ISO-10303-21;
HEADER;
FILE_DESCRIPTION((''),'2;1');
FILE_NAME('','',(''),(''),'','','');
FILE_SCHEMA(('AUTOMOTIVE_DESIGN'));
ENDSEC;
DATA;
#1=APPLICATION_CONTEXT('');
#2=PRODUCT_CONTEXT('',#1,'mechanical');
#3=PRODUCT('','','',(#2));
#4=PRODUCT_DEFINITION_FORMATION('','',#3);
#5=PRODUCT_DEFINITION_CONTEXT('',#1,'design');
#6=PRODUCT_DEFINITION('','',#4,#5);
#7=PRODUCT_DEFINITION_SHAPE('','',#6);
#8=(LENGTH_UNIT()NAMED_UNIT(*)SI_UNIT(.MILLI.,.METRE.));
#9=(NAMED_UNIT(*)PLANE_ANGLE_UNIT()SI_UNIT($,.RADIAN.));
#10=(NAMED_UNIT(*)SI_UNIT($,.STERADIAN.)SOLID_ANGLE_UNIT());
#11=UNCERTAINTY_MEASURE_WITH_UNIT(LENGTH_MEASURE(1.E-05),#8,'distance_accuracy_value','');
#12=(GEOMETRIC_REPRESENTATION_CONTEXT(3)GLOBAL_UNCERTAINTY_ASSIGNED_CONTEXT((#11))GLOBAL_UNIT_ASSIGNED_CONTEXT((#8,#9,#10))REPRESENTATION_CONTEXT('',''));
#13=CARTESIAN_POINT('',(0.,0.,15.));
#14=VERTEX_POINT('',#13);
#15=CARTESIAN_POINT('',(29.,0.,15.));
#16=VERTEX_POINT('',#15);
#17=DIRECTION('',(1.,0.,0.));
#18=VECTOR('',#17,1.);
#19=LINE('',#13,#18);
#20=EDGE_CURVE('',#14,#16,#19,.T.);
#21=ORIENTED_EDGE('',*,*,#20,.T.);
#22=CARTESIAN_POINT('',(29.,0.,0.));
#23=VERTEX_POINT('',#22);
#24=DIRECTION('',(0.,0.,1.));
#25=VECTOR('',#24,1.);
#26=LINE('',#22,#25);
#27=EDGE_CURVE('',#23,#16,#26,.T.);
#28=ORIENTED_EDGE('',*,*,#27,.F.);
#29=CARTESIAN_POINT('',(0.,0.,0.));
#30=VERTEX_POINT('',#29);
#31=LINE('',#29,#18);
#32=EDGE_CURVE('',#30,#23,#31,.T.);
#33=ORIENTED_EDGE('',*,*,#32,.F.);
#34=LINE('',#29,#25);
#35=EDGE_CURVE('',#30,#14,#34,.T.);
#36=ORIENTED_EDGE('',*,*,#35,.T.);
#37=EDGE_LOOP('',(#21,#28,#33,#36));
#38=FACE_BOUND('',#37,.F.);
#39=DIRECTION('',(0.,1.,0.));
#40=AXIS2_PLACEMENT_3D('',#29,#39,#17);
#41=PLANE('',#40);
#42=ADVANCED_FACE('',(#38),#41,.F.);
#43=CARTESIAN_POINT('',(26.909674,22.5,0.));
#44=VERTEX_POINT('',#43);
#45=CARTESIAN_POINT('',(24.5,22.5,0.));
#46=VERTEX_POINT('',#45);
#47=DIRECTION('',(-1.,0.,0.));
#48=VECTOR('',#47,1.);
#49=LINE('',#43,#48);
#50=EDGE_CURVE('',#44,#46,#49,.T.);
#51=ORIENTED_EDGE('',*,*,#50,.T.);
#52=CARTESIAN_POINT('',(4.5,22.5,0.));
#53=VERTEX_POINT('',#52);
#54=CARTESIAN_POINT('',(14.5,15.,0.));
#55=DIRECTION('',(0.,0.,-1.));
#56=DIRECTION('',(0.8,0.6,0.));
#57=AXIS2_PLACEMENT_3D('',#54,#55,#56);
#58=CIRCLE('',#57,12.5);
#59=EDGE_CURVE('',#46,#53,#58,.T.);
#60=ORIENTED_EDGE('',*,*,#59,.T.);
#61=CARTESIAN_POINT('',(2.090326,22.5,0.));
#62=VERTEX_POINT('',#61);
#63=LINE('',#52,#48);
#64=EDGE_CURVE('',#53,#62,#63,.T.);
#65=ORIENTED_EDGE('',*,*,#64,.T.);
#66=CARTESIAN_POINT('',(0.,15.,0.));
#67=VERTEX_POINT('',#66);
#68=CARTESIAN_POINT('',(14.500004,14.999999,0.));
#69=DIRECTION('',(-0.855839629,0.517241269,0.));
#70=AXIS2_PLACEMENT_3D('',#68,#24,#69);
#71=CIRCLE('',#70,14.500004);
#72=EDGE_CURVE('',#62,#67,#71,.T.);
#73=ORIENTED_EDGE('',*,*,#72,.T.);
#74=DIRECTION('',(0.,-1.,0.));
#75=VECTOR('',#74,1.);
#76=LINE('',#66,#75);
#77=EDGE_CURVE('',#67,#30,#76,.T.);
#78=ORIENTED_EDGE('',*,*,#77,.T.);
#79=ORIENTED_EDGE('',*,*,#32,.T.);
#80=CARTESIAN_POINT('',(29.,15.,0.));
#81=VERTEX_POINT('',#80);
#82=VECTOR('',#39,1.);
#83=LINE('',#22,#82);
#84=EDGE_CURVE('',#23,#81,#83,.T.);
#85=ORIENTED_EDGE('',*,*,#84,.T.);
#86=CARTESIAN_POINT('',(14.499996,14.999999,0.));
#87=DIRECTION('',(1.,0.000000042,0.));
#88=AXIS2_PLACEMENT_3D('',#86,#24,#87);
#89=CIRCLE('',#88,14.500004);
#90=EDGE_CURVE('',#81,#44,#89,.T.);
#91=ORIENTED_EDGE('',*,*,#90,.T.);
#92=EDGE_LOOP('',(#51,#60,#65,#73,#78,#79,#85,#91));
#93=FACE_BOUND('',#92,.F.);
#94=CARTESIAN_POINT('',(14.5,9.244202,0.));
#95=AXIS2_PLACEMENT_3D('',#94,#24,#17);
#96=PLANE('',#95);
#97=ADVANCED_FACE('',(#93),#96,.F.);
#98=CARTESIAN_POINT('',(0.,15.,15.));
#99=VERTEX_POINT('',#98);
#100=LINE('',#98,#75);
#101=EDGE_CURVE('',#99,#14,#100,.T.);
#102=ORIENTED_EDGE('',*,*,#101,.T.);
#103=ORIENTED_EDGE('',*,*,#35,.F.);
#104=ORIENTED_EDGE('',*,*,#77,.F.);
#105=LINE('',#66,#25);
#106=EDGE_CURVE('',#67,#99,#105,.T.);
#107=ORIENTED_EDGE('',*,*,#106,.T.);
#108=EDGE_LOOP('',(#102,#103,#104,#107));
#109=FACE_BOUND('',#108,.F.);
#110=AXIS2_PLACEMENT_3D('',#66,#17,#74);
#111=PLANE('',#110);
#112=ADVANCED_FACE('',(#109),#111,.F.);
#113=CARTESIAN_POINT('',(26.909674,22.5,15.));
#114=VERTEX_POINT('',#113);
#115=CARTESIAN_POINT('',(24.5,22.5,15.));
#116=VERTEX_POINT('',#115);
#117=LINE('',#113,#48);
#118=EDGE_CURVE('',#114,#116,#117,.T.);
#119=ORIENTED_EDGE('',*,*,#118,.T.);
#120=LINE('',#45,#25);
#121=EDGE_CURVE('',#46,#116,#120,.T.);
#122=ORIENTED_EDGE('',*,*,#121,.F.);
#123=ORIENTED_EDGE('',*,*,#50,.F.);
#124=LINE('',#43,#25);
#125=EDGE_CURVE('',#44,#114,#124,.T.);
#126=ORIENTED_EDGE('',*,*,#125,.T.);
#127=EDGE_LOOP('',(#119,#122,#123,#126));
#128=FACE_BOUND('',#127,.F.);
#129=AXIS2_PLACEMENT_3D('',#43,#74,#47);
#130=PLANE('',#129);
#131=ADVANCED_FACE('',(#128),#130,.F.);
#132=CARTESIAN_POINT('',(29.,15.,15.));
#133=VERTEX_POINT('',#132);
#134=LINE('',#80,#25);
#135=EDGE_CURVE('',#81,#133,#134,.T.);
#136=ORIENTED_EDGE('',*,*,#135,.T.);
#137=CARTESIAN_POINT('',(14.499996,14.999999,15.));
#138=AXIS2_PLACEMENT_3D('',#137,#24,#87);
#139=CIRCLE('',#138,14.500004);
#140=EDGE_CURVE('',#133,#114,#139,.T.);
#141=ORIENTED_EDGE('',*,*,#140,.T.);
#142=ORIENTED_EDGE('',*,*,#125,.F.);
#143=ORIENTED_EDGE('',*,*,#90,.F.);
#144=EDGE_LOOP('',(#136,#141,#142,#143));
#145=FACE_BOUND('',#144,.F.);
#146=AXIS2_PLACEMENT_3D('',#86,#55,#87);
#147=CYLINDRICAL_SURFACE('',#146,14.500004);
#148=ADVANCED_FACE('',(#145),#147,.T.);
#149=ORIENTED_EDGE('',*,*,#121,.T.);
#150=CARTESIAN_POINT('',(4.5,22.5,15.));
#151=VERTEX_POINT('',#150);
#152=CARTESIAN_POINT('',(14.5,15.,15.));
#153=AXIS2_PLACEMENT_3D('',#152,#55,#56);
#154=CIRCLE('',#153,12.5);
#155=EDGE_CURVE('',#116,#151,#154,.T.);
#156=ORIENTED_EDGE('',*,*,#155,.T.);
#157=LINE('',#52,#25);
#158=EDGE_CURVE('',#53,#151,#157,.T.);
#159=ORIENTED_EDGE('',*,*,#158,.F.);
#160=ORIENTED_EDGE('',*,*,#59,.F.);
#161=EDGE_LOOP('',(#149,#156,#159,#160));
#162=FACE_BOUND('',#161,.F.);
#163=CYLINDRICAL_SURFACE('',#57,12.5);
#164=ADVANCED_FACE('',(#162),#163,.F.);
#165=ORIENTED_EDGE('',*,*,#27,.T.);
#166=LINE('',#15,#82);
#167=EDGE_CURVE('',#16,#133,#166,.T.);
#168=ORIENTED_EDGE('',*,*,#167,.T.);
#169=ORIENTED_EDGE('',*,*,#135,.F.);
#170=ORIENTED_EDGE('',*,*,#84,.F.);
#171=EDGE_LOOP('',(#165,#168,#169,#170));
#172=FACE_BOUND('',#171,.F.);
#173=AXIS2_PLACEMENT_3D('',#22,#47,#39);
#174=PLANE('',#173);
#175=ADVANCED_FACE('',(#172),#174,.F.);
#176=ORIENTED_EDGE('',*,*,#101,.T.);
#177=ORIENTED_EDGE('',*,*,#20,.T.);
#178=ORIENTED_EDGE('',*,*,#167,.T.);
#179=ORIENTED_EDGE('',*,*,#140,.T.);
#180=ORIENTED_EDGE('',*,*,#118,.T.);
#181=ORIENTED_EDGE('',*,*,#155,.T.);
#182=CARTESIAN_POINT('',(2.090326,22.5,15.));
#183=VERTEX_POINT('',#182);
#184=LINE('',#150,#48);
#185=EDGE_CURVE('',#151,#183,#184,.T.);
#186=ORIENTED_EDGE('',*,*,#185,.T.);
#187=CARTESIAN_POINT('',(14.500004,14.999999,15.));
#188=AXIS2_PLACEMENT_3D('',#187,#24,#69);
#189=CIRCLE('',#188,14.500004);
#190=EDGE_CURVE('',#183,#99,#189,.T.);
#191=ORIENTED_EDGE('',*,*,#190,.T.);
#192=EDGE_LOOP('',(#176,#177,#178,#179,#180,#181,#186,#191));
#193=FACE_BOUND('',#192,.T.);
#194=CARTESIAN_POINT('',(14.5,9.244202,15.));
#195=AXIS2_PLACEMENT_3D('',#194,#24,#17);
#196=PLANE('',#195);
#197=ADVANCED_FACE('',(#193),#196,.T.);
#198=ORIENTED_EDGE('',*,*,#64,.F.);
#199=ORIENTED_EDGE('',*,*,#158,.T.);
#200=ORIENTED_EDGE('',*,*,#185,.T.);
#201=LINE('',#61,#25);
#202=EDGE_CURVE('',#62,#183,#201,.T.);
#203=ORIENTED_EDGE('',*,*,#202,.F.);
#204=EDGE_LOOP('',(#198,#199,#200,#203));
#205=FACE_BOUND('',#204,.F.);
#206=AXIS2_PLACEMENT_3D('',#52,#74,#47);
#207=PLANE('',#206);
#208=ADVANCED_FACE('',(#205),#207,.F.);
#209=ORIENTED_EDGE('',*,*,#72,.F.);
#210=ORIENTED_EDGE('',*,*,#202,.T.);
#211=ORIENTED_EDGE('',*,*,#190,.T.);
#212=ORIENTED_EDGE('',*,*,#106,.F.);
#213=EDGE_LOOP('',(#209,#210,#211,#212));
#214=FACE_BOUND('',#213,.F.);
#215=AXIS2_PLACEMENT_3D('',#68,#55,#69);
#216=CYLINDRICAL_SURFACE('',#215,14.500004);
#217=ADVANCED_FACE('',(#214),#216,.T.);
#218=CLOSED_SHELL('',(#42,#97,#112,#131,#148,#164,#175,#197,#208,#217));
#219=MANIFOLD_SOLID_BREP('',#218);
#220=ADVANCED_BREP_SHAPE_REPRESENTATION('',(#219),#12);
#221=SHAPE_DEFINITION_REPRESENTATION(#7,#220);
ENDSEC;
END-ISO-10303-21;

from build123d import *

# Parameters (mm, degrees)
F1_DEPTH = 15


with BuildPart() as f1:
    # F0 (on Top) → F1 (new body)
    with BuildSketch(Plane.XY):
        with BuildLine():
            ThreePointArc((24.5, 22.5), (14.5, 2.5), (4.5, 22.5))
            Line((4.5, 22.5), (2.090326, 22.5))
            ThreePointArc((2.090326, 22.5), (0.532354, 18.892925), (0, 15))
            Line((0, 15), (0, 0))
            Line((0, 0), (29, 0))
            Line((29, 0), (29, 15))
            ThreePointArc((29, 15), (28.467646, 18.892925), (26.909674, 22.5))
            Line((26.909674, 22.5), (24.5, 22.5))
        make_face()
    extrude(amount=F1_DEPTH)


solid = f1.part
